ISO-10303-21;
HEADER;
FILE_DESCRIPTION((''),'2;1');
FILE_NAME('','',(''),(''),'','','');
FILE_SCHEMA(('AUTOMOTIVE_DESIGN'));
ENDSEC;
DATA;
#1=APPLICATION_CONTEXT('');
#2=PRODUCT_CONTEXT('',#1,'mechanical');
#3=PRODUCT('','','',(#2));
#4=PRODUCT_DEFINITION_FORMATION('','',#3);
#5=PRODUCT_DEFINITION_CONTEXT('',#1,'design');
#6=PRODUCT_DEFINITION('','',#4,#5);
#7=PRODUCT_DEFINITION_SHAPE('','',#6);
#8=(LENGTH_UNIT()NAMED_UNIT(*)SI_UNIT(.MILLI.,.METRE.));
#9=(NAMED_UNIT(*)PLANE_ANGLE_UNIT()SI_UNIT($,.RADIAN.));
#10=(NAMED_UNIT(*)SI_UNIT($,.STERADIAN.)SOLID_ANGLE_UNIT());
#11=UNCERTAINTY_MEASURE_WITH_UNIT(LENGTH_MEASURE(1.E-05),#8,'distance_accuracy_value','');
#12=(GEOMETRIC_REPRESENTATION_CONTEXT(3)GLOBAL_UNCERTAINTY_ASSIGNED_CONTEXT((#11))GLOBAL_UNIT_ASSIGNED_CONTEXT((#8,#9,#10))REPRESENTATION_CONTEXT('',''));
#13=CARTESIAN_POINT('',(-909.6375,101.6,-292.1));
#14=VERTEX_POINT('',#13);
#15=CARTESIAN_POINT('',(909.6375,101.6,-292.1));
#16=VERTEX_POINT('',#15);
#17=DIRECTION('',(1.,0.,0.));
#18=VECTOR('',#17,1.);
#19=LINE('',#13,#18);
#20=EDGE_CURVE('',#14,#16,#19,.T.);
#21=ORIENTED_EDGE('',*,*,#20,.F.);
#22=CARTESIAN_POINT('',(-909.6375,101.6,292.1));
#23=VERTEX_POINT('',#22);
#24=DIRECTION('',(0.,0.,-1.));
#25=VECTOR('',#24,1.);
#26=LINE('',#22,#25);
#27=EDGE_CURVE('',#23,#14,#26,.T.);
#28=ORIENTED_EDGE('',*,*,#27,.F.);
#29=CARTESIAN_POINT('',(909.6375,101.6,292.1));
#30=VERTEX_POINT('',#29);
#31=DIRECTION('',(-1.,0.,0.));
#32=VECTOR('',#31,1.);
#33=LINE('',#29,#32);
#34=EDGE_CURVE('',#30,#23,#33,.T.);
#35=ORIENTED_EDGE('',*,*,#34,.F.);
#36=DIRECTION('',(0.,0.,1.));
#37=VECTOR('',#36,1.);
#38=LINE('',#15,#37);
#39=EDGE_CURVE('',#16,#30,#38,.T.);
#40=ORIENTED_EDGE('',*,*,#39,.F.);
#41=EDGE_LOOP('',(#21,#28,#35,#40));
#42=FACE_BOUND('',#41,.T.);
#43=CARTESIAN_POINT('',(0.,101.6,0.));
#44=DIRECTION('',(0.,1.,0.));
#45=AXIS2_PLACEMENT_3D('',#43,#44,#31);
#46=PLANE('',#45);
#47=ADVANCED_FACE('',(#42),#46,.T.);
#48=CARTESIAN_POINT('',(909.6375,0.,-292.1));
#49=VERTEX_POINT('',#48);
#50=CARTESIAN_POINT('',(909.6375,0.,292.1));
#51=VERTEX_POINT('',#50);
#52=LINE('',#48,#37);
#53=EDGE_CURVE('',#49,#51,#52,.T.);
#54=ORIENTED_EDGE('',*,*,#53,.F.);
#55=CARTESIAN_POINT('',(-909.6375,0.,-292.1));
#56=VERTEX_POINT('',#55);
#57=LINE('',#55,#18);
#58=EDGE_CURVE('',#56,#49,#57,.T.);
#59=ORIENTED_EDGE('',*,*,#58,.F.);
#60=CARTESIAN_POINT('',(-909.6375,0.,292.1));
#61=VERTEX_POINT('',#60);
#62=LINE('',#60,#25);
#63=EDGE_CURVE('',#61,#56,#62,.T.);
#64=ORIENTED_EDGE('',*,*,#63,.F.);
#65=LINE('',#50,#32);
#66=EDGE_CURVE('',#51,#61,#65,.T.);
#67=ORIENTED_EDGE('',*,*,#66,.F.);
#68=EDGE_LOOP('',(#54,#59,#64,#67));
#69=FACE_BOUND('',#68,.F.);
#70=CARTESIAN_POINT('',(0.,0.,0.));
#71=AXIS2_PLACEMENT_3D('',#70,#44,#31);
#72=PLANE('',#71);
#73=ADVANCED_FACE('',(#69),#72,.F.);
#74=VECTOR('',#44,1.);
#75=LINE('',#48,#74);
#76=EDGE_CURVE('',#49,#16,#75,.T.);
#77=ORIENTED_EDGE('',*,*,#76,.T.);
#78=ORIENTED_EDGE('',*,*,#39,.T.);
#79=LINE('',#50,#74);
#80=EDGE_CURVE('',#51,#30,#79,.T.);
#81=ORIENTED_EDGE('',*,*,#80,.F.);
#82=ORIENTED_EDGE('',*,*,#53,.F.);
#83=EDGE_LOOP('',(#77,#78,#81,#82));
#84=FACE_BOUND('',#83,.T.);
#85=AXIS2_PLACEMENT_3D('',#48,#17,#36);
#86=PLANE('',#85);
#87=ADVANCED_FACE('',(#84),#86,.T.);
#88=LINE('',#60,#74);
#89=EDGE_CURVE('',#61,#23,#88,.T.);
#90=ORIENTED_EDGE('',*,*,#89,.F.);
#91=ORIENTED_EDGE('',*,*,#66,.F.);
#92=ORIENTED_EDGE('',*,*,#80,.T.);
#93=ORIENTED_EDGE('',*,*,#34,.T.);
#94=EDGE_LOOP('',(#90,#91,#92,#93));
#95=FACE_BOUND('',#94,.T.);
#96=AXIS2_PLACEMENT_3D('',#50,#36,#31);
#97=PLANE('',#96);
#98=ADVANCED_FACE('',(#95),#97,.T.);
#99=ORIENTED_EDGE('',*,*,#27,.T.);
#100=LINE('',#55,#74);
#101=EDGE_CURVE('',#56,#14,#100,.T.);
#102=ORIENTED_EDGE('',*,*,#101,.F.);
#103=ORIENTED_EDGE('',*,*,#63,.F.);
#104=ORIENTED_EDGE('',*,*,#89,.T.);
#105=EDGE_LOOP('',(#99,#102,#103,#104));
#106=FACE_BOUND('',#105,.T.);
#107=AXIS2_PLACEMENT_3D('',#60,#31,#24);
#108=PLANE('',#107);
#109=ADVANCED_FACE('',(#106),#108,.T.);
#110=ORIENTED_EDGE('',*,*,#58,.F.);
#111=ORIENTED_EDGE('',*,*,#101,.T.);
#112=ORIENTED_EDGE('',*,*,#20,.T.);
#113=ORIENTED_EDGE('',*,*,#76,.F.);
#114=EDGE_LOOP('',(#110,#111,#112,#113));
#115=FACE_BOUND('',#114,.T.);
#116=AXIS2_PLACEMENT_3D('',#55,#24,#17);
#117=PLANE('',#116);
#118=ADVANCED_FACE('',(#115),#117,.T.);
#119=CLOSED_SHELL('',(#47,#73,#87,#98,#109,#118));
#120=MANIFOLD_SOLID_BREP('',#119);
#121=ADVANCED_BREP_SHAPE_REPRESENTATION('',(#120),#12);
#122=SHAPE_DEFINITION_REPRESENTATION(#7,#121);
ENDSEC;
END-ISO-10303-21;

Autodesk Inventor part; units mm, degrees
ref_plane "YZ Plane" through (0, 0, 0) normal (1, 0, 0) x (0, 1, 0)
ref_plane "XZ Plane" through (0, 0, 0) normal (0, 1, 0) x (-1, 0, 0)
ref_plane "XY Plane" through (0, 0, 0) normal (0, 0, 1) x (1, 0, 0)
sketch "Sketch1" plane through (0, 0, 0) normal (0, 1, 0) x (-1, 0, 0)
  line L0 (909.6375, -292.1) -> (-909.6375, -292.1)
  line L1 (-909.6375, -292.1) -> (-909.6375, 292.1)
  line L2 (-909.6375, 292.1) -> (909.6375, 292.1)
  line L3 (909.6375, 292.1) -> (909.6375, -292.1)
  line L4 (909.6375, -292.1) -> (-909.6375, 292.1) construction
  line L5 (-909.6375, -292.1) -> (909.6375, 292.1) construction
  point P0 (0, 0)
  dimension "d0" = 1819.275
  dimension "d1" = 584.2
extrude "Extrusion1" add sketch "Sketch1" along normal blind 101.6
properties part number "9 - cap - 2" material "Granite, Cut, Polished"
